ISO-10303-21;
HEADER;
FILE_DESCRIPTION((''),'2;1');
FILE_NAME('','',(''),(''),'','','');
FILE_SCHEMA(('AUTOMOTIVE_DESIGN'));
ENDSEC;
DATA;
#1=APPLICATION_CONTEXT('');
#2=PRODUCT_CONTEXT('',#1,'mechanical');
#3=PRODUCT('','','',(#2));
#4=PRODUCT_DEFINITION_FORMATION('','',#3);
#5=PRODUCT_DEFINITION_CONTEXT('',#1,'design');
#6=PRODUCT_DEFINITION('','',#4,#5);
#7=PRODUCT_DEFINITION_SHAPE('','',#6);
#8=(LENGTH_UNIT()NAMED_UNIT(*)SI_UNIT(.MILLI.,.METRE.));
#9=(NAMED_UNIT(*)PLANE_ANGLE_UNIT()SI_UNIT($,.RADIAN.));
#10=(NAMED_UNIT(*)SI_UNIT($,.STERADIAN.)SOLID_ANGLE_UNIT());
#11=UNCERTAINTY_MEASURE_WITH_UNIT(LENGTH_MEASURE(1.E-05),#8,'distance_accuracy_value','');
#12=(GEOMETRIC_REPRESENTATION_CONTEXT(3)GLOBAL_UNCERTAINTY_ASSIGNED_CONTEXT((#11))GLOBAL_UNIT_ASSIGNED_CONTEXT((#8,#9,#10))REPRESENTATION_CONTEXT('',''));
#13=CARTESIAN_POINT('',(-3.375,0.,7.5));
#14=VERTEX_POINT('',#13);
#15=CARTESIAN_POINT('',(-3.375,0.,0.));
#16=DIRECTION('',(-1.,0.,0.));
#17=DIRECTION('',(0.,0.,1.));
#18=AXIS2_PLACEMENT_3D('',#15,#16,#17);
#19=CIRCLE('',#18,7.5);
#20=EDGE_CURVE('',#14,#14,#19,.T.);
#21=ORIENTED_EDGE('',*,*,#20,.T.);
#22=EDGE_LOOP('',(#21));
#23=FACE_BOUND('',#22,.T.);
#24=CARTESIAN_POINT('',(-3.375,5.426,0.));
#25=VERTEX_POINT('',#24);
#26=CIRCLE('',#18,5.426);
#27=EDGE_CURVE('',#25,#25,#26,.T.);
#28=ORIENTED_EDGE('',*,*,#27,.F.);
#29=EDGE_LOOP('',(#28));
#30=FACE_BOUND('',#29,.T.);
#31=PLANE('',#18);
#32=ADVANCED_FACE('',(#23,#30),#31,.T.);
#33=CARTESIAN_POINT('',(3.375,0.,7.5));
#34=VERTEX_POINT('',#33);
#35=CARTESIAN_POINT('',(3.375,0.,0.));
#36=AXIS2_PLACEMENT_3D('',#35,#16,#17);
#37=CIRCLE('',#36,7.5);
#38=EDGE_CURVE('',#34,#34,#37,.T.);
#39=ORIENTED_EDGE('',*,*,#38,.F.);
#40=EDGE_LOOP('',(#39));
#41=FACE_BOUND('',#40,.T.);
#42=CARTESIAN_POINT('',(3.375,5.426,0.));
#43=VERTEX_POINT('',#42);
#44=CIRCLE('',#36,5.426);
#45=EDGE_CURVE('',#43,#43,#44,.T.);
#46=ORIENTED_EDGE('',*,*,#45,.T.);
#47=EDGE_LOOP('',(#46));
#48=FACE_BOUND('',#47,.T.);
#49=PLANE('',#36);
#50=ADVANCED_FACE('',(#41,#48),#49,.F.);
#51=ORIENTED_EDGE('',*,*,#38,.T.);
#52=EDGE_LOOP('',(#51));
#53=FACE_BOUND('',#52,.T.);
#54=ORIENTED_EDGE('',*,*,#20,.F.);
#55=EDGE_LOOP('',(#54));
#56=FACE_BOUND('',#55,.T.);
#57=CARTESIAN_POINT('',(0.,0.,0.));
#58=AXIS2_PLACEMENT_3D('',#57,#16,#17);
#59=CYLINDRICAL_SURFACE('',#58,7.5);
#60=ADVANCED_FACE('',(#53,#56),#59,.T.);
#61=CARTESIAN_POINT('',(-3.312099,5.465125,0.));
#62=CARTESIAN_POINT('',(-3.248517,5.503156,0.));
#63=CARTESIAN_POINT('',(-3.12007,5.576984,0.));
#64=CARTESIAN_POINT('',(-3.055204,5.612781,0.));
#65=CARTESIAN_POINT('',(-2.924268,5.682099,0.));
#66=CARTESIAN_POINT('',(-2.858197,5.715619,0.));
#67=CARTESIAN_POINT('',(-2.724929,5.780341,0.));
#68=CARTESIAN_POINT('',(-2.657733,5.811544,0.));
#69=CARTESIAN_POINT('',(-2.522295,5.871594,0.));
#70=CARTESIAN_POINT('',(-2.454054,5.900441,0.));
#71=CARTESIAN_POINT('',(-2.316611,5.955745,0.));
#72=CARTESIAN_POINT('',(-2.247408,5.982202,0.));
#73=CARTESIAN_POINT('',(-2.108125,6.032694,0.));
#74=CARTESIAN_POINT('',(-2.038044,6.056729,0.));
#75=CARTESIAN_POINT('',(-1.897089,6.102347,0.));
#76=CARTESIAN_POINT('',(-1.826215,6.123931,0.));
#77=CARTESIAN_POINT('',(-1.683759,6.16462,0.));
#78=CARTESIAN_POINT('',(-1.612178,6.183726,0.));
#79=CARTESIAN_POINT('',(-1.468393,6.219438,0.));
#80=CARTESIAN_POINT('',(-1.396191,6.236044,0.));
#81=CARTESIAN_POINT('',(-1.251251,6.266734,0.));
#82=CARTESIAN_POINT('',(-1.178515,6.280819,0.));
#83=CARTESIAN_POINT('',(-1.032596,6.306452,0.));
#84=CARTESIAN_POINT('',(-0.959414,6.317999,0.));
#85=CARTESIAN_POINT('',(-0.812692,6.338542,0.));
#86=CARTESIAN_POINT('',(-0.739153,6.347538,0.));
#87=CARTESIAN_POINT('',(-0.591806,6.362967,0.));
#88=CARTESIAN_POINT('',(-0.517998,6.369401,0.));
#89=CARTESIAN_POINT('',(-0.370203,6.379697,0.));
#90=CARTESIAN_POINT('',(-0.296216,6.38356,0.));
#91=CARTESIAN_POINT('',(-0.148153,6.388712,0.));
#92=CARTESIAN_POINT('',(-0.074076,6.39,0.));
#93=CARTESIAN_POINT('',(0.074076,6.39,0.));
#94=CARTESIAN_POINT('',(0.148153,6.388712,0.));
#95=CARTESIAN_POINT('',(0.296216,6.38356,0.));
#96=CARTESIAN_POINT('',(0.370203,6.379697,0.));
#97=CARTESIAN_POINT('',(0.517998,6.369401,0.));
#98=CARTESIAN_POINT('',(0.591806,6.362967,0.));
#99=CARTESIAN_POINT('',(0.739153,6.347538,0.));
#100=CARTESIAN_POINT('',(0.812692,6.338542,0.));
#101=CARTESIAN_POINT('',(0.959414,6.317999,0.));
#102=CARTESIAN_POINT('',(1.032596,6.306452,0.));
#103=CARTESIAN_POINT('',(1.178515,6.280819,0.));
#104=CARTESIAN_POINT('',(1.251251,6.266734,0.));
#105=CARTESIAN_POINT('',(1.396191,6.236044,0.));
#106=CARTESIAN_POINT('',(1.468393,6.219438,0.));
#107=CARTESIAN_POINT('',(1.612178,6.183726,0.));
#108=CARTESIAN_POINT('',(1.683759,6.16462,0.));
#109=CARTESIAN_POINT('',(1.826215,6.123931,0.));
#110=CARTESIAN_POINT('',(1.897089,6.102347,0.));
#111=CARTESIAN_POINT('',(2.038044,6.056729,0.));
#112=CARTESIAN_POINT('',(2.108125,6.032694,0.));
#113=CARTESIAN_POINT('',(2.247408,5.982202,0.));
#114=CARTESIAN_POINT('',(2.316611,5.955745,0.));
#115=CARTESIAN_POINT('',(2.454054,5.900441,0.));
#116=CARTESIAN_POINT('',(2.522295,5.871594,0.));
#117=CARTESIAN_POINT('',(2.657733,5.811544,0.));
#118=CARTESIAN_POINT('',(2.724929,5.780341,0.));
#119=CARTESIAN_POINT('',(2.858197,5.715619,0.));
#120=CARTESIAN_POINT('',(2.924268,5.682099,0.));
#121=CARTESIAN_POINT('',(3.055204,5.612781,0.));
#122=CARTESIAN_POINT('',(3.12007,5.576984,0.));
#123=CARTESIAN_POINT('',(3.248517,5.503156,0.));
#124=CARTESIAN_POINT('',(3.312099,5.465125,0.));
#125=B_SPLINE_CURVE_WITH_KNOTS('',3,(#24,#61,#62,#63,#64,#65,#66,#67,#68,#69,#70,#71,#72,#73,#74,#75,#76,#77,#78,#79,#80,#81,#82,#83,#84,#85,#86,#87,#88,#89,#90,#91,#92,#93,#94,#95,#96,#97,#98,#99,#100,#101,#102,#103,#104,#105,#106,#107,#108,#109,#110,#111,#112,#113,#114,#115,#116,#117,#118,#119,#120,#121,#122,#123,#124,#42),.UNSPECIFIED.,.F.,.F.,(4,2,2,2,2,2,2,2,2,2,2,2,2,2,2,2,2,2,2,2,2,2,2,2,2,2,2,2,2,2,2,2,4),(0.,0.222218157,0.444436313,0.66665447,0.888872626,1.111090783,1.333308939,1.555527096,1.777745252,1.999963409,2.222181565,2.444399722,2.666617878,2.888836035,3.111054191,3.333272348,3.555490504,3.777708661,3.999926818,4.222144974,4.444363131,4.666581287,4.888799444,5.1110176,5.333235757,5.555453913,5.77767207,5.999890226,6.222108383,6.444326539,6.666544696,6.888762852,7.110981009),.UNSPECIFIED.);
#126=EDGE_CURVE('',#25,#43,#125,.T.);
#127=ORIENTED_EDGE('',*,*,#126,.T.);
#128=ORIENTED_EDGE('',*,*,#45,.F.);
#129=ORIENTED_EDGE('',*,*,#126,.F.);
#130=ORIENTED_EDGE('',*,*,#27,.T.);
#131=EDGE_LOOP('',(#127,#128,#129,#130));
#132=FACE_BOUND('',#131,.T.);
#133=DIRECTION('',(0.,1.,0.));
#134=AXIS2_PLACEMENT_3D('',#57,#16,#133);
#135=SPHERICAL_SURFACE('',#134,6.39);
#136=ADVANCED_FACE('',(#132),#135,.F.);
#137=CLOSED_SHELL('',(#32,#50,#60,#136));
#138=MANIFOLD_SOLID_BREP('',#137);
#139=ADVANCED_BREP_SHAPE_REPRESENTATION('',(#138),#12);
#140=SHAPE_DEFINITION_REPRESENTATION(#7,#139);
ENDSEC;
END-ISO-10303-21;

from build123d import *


with BuildPart() as part:
    # Sketch1 → Revolve1 (revolve)
    with BuildSketch(Plane.XY):
        with BuildLine():
            Line((-3.375, 7.5), (-3.375, 5.425999908))
            ThreePointArc((-3.375, 5.425999908), (0, 6.39), (3.375, 5.425999908))
            Line((3.375, 5.425999908), (3.375, 7.5))
            Line((3.375, 7.5), (-3.375, 7.5))
        make_face()
    revolve(axis=Axis((0, 0, 0), (1, 0, 0)))


solid = part.part
